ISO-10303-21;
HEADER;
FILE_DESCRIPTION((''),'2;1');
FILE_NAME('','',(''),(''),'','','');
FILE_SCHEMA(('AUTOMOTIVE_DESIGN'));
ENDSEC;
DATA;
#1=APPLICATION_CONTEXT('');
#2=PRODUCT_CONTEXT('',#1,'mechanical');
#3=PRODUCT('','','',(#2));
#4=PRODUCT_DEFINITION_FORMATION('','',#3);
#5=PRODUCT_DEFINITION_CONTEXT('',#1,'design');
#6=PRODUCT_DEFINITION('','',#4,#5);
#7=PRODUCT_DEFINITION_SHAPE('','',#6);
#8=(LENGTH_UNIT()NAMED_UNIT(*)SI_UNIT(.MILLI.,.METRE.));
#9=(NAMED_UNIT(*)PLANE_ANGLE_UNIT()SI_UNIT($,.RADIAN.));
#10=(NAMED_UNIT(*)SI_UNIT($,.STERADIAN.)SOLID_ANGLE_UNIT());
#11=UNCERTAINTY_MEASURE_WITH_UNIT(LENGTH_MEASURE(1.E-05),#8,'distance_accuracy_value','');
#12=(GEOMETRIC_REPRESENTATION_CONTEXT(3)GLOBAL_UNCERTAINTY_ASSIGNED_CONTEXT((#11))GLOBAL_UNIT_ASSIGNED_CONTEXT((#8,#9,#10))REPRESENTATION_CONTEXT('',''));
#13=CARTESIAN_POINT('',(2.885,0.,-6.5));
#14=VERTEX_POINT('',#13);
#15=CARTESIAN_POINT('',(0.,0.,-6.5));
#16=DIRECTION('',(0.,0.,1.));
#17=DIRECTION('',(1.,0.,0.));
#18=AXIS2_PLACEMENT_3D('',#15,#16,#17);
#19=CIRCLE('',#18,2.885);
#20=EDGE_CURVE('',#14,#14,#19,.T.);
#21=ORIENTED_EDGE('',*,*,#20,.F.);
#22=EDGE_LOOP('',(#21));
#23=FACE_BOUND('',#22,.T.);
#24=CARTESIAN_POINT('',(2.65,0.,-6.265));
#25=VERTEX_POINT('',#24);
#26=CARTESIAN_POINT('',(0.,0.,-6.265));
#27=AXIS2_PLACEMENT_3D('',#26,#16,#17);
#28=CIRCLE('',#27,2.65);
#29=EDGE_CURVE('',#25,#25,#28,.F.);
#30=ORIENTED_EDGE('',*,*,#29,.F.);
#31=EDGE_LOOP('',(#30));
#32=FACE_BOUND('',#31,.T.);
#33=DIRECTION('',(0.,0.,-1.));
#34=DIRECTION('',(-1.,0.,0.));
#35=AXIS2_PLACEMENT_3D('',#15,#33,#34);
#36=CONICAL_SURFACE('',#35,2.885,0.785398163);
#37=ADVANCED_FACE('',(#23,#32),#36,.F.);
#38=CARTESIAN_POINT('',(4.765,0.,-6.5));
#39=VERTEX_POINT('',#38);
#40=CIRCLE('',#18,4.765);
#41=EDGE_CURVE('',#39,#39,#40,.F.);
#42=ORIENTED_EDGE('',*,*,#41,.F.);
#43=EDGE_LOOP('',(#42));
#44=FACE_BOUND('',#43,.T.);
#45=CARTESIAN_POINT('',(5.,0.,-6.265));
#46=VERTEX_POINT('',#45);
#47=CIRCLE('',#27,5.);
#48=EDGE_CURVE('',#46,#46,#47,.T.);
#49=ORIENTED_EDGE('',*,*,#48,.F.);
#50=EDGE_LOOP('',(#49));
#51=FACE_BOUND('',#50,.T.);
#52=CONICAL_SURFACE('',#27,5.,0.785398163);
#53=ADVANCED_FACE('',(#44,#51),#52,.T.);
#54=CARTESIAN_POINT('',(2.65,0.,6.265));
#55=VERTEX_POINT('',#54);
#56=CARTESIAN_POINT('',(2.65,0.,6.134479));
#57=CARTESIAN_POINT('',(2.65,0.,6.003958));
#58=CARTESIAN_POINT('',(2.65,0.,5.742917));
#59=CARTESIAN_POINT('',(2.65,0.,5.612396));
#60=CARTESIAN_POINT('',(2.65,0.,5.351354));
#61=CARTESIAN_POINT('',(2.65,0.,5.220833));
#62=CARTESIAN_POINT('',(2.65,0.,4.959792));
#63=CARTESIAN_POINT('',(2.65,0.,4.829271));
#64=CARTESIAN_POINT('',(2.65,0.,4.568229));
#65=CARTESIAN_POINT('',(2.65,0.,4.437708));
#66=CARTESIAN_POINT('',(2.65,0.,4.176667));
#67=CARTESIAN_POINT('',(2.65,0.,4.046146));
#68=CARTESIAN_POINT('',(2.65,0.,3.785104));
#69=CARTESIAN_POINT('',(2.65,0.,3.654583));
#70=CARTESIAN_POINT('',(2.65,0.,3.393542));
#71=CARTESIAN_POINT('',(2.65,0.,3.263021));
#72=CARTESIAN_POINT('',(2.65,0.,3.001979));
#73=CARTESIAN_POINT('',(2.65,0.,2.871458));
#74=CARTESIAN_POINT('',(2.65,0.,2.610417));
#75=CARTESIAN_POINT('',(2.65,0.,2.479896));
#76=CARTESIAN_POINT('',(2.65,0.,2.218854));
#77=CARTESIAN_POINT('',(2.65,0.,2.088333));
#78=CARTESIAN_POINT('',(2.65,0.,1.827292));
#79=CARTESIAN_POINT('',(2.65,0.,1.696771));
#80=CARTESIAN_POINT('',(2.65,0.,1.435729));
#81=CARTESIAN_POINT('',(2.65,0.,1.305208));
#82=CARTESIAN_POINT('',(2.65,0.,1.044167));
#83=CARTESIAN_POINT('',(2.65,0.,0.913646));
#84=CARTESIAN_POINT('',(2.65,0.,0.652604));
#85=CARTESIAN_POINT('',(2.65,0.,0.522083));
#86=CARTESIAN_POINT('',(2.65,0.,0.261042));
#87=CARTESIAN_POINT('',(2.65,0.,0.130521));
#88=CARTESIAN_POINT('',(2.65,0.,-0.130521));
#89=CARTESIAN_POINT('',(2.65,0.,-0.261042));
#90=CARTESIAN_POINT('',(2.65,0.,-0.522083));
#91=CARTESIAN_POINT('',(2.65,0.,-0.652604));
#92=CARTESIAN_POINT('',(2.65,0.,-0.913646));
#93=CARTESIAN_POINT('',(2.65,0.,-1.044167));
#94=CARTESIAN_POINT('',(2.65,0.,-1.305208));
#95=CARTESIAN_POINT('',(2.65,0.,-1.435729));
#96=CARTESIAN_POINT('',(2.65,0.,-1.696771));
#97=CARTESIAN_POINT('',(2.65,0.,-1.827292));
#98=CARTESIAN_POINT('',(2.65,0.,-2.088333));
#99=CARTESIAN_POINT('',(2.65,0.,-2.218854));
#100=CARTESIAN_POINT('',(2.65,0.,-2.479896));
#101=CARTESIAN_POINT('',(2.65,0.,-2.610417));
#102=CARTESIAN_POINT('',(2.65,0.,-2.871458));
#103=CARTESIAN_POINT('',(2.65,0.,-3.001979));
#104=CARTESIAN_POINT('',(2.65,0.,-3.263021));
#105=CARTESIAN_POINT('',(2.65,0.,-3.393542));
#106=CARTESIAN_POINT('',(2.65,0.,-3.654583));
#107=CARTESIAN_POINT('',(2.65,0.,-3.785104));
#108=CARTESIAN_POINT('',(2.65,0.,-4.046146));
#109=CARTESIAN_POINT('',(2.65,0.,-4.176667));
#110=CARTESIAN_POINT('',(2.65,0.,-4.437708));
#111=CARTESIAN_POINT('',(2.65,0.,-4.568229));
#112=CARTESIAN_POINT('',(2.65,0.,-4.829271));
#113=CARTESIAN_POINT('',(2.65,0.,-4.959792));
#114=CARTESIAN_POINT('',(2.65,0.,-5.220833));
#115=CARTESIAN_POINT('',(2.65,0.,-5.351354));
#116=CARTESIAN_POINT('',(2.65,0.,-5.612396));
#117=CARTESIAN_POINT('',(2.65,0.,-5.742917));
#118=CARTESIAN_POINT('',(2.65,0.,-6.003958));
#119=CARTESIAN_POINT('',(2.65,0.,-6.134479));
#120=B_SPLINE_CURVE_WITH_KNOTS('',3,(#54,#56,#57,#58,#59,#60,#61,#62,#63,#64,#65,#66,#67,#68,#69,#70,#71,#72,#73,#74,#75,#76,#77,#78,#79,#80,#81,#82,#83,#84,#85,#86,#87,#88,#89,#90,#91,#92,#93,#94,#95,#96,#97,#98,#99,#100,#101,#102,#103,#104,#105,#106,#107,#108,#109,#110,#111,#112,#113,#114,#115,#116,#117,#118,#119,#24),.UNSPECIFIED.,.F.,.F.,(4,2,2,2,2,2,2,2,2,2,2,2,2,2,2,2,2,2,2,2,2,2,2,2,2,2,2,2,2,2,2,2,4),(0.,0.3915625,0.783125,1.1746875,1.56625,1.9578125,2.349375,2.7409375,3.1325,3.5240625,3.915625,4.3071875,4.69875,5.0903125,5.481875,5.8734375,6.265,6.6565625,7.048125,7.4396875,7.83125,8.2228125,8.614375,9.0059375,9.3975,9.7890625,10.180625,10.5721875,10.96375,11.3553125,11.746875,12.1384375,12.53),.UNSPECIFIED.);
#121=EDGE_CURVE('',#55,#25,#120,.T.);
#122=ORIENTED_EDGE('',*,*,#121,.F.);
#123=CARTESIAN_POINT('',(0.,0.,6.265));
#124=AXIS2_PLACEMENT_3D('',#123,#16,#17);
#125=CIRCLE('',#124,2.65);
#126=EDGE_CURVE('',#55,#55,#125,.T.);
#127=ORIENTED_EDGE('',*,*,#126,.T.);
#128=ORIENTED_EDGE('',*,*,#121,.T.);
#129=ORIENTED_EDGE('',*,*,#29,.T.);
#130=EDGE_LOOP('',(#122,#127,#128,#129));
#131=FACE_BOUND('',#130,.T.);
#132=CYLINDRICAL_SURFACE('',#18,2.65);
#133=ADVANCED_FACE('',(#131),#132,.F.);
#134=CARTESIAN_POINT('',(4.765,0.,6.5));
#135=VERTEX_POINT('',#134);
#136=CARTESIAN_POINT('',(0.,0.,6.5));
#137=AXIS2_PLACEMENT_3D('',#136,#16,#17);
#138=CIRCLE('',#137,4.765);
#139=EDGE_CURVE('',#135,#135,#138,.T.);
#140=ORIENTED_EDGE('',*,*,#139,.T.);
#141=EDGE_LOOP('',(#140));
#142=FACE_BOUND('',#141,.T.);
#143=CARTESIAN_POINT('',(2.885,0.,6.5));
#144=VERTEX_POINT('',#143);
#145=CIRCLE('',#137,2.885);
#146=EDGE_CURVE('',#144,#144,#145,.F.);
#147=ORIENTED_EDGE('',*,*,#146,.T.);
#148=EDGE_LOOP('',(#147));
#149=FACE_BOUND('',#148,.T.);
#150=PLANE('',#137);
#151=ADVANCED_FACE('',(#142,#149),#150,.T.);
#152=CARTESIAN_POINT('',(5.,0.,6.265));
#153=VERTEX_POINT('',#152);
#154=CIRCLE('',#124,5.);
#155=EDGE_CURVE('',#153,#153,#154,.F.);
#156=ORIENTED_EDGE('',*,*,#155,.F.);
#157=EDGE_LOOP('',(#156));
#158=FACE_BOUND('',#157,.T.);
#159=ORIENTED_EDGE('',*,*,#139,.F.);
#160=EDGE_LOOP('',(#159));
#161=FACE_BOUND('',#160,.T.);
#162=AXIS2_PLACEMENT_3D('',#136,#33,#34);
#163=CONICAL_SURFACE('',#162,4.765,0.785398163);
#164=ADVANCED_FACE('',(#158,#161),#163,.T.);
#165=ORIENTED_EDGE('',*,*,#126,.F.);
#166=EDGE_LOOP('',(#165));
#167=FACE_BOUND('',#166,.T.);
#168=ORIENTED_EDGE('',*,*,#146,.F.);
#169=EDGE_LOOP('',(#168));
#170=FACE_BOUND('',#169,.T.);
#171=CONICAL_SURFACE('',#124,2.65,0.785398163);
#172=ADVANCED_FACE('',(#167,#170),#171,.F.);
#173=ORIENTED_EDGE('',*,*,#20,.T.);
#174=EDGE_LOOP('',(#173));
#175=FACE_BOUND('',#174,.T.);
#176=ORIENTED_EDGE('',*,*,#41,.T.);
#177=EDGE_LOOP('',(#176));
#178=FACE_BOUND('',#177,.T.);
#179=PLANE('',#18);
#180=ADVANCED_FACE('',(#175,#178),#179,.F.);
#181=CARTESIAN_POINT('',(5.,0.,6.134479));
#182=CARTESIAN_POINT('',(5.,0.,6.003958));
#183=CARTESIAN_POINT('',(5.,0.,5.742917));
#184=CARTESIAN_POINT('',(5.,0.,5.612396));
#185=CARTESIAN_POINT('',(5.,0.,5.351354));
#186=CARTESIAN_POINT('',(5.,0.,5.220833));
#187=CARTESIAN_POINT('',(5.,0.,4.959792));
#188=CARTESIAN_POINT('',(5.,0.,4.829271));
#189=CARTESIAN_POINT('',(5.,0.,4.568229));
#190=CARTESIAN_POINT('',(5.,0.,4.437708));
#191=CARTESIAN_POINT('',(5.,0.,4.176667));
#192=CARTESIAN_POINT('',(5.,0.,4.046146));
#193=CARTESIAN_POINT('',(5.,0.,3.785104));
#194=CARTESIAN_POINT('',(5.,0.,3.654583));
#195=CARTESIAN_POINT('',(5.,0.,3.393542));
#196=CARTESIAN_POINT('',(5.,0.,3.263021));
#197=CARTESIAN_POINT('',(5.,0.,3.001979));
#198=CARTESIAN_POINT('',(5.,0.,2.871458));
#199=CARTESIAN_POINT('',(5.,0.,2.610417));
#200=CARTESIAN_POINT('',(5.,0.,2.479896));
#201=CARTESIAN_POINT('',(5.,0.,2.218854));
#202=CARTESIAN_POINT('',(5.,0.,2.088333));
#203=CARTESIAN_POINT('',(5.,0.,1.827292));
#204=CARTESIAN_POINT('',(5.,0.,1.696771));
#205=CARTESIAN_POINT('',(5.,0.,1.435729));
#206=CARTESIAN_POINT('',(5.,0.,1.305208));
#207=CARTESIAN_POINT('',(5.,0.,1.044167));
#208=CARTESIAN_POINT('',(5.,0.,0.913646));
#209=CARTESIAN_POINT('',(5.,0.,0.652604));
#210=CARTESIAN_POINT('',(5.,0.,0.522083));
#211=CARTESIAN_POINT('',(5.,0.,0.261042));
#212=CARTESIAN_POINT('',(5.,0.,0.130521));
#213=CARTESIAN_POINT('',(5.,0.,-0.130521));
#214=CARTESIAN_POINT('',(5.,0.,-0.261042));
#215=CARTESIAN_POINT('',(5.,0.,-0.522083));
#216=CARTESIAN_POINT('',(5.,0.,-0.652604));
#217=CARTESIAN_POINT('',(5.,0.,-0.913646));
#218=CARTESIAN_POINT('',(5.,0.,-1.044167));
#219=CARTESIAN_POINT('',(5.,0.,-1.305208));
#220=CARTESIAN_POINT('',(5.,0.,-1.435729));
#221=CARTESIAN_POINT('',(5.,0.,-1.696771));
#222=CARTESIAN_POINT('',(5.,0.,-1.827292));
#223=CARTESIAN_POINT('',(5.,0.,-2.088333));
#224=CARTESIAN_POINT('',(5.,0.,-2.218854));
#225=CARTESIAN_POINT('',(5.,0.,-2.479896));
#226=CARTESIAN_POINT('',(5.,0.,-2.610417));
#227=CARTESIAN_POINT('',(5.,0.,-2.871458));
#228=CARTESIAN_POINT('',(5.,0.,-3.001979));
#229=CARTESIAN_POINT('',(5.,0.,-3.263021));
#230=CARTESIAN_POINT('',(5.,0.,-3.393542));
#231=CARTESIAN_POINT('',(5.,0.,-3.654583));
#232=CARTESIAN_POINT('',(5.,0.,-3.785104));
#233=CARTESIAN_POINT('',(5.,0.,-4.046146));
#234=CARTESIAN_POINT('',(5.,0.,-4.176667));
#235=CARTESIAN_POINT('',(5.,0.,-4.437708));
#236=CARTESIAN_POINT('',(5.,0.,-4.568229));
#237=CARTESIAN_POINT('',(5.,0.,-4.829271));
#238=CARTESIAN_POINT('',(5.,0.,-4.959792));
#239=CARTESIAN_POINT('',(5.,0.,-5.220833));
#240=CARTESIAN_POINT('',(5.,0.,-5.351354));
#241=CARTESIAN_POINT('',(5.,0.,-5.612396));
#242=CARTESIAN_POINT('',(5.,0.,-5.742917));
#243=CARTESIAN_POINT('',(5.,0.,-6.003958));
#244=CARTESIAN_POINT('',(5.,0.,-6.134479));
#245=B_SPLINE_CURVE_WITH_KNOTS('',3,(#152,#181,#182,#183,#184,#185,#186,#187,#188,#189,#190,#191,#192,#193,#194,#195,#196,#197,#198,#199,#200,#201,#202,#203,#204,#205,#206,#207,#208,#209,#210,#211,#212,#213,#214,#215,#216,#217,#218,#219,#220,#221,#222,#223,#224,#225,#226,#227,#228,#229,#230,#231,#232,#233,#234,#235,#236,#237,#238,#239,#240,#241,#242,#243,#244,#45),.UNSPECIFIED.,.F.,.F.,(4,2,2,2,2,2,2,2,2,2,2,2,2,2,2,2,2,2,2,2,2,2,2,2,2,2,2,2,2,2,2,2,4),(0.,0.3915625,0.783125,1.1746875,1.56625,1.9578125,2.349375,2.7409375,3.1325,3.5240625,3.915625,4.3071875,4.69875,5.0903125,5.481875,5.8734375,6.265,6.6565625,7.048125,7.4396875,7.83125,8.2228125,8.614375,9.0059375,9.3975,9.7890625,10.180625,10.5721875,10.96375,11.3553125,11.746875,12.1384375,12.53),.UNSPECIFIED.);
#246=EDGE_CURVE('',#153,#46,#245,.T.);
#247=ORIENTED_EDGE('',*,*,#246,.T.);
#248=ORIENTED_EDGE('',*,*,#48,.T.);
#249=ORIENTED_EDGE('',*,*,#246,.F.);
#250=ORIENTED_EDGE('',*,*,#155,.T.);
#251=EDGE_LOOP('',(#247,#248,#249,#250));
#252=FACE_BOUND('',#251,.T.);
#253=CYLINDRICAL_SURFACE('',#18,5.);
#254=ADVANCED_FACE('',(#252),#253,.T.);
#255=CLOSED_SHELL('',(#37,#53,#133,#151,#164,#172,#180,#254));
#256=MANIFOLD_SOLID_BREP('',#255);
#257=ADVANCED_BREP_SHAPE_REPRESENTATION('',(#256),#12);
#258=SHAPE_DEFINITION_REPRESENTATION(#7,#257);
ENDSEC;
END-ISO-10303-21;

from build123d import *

# Parameters (mm, degrees)
BOSS_EXTRUDE1_DEPTH      = 6.5
BOSS_EXTRUDE1_DEPTH_BACK = 6.5
SKETCH3_R                = 5
SKETCH3_R_2              = 2.65
CHAMFER1_SIZE            = 0.235


with BuildPart() as part:
    # Sketch3 → Boss-Extrude1 (new, two sides: drawn at the far end of the back side and taken through both)
    with BuildSketch(Plane.XY.offset(-BOSS_EXTRUDE1_DEPTH_BACK)):
        Circle(SKETCH3_R)
        Circle(SKETCH3_R_2, mode=Mode.SUBTRACT)
    extrude(amount=BOSS_EXTRUDE1_DEPTH + BOSS_EXTRUDE1_DEPTH_BACK)

    # Chamfer1
    chamfer1_edges = [part.edges().sort_by_distance(p)[0] for p in [
        (-5, 0, -6.5),
        (-2.65, 0, -6.5),
        (-5, 0, 6.5),
        (-2.65, 0, 6.5),
    ]]
    chamfer(chamfer1_edges, length=CHAMFER1_SIZE)


solid = part.part
